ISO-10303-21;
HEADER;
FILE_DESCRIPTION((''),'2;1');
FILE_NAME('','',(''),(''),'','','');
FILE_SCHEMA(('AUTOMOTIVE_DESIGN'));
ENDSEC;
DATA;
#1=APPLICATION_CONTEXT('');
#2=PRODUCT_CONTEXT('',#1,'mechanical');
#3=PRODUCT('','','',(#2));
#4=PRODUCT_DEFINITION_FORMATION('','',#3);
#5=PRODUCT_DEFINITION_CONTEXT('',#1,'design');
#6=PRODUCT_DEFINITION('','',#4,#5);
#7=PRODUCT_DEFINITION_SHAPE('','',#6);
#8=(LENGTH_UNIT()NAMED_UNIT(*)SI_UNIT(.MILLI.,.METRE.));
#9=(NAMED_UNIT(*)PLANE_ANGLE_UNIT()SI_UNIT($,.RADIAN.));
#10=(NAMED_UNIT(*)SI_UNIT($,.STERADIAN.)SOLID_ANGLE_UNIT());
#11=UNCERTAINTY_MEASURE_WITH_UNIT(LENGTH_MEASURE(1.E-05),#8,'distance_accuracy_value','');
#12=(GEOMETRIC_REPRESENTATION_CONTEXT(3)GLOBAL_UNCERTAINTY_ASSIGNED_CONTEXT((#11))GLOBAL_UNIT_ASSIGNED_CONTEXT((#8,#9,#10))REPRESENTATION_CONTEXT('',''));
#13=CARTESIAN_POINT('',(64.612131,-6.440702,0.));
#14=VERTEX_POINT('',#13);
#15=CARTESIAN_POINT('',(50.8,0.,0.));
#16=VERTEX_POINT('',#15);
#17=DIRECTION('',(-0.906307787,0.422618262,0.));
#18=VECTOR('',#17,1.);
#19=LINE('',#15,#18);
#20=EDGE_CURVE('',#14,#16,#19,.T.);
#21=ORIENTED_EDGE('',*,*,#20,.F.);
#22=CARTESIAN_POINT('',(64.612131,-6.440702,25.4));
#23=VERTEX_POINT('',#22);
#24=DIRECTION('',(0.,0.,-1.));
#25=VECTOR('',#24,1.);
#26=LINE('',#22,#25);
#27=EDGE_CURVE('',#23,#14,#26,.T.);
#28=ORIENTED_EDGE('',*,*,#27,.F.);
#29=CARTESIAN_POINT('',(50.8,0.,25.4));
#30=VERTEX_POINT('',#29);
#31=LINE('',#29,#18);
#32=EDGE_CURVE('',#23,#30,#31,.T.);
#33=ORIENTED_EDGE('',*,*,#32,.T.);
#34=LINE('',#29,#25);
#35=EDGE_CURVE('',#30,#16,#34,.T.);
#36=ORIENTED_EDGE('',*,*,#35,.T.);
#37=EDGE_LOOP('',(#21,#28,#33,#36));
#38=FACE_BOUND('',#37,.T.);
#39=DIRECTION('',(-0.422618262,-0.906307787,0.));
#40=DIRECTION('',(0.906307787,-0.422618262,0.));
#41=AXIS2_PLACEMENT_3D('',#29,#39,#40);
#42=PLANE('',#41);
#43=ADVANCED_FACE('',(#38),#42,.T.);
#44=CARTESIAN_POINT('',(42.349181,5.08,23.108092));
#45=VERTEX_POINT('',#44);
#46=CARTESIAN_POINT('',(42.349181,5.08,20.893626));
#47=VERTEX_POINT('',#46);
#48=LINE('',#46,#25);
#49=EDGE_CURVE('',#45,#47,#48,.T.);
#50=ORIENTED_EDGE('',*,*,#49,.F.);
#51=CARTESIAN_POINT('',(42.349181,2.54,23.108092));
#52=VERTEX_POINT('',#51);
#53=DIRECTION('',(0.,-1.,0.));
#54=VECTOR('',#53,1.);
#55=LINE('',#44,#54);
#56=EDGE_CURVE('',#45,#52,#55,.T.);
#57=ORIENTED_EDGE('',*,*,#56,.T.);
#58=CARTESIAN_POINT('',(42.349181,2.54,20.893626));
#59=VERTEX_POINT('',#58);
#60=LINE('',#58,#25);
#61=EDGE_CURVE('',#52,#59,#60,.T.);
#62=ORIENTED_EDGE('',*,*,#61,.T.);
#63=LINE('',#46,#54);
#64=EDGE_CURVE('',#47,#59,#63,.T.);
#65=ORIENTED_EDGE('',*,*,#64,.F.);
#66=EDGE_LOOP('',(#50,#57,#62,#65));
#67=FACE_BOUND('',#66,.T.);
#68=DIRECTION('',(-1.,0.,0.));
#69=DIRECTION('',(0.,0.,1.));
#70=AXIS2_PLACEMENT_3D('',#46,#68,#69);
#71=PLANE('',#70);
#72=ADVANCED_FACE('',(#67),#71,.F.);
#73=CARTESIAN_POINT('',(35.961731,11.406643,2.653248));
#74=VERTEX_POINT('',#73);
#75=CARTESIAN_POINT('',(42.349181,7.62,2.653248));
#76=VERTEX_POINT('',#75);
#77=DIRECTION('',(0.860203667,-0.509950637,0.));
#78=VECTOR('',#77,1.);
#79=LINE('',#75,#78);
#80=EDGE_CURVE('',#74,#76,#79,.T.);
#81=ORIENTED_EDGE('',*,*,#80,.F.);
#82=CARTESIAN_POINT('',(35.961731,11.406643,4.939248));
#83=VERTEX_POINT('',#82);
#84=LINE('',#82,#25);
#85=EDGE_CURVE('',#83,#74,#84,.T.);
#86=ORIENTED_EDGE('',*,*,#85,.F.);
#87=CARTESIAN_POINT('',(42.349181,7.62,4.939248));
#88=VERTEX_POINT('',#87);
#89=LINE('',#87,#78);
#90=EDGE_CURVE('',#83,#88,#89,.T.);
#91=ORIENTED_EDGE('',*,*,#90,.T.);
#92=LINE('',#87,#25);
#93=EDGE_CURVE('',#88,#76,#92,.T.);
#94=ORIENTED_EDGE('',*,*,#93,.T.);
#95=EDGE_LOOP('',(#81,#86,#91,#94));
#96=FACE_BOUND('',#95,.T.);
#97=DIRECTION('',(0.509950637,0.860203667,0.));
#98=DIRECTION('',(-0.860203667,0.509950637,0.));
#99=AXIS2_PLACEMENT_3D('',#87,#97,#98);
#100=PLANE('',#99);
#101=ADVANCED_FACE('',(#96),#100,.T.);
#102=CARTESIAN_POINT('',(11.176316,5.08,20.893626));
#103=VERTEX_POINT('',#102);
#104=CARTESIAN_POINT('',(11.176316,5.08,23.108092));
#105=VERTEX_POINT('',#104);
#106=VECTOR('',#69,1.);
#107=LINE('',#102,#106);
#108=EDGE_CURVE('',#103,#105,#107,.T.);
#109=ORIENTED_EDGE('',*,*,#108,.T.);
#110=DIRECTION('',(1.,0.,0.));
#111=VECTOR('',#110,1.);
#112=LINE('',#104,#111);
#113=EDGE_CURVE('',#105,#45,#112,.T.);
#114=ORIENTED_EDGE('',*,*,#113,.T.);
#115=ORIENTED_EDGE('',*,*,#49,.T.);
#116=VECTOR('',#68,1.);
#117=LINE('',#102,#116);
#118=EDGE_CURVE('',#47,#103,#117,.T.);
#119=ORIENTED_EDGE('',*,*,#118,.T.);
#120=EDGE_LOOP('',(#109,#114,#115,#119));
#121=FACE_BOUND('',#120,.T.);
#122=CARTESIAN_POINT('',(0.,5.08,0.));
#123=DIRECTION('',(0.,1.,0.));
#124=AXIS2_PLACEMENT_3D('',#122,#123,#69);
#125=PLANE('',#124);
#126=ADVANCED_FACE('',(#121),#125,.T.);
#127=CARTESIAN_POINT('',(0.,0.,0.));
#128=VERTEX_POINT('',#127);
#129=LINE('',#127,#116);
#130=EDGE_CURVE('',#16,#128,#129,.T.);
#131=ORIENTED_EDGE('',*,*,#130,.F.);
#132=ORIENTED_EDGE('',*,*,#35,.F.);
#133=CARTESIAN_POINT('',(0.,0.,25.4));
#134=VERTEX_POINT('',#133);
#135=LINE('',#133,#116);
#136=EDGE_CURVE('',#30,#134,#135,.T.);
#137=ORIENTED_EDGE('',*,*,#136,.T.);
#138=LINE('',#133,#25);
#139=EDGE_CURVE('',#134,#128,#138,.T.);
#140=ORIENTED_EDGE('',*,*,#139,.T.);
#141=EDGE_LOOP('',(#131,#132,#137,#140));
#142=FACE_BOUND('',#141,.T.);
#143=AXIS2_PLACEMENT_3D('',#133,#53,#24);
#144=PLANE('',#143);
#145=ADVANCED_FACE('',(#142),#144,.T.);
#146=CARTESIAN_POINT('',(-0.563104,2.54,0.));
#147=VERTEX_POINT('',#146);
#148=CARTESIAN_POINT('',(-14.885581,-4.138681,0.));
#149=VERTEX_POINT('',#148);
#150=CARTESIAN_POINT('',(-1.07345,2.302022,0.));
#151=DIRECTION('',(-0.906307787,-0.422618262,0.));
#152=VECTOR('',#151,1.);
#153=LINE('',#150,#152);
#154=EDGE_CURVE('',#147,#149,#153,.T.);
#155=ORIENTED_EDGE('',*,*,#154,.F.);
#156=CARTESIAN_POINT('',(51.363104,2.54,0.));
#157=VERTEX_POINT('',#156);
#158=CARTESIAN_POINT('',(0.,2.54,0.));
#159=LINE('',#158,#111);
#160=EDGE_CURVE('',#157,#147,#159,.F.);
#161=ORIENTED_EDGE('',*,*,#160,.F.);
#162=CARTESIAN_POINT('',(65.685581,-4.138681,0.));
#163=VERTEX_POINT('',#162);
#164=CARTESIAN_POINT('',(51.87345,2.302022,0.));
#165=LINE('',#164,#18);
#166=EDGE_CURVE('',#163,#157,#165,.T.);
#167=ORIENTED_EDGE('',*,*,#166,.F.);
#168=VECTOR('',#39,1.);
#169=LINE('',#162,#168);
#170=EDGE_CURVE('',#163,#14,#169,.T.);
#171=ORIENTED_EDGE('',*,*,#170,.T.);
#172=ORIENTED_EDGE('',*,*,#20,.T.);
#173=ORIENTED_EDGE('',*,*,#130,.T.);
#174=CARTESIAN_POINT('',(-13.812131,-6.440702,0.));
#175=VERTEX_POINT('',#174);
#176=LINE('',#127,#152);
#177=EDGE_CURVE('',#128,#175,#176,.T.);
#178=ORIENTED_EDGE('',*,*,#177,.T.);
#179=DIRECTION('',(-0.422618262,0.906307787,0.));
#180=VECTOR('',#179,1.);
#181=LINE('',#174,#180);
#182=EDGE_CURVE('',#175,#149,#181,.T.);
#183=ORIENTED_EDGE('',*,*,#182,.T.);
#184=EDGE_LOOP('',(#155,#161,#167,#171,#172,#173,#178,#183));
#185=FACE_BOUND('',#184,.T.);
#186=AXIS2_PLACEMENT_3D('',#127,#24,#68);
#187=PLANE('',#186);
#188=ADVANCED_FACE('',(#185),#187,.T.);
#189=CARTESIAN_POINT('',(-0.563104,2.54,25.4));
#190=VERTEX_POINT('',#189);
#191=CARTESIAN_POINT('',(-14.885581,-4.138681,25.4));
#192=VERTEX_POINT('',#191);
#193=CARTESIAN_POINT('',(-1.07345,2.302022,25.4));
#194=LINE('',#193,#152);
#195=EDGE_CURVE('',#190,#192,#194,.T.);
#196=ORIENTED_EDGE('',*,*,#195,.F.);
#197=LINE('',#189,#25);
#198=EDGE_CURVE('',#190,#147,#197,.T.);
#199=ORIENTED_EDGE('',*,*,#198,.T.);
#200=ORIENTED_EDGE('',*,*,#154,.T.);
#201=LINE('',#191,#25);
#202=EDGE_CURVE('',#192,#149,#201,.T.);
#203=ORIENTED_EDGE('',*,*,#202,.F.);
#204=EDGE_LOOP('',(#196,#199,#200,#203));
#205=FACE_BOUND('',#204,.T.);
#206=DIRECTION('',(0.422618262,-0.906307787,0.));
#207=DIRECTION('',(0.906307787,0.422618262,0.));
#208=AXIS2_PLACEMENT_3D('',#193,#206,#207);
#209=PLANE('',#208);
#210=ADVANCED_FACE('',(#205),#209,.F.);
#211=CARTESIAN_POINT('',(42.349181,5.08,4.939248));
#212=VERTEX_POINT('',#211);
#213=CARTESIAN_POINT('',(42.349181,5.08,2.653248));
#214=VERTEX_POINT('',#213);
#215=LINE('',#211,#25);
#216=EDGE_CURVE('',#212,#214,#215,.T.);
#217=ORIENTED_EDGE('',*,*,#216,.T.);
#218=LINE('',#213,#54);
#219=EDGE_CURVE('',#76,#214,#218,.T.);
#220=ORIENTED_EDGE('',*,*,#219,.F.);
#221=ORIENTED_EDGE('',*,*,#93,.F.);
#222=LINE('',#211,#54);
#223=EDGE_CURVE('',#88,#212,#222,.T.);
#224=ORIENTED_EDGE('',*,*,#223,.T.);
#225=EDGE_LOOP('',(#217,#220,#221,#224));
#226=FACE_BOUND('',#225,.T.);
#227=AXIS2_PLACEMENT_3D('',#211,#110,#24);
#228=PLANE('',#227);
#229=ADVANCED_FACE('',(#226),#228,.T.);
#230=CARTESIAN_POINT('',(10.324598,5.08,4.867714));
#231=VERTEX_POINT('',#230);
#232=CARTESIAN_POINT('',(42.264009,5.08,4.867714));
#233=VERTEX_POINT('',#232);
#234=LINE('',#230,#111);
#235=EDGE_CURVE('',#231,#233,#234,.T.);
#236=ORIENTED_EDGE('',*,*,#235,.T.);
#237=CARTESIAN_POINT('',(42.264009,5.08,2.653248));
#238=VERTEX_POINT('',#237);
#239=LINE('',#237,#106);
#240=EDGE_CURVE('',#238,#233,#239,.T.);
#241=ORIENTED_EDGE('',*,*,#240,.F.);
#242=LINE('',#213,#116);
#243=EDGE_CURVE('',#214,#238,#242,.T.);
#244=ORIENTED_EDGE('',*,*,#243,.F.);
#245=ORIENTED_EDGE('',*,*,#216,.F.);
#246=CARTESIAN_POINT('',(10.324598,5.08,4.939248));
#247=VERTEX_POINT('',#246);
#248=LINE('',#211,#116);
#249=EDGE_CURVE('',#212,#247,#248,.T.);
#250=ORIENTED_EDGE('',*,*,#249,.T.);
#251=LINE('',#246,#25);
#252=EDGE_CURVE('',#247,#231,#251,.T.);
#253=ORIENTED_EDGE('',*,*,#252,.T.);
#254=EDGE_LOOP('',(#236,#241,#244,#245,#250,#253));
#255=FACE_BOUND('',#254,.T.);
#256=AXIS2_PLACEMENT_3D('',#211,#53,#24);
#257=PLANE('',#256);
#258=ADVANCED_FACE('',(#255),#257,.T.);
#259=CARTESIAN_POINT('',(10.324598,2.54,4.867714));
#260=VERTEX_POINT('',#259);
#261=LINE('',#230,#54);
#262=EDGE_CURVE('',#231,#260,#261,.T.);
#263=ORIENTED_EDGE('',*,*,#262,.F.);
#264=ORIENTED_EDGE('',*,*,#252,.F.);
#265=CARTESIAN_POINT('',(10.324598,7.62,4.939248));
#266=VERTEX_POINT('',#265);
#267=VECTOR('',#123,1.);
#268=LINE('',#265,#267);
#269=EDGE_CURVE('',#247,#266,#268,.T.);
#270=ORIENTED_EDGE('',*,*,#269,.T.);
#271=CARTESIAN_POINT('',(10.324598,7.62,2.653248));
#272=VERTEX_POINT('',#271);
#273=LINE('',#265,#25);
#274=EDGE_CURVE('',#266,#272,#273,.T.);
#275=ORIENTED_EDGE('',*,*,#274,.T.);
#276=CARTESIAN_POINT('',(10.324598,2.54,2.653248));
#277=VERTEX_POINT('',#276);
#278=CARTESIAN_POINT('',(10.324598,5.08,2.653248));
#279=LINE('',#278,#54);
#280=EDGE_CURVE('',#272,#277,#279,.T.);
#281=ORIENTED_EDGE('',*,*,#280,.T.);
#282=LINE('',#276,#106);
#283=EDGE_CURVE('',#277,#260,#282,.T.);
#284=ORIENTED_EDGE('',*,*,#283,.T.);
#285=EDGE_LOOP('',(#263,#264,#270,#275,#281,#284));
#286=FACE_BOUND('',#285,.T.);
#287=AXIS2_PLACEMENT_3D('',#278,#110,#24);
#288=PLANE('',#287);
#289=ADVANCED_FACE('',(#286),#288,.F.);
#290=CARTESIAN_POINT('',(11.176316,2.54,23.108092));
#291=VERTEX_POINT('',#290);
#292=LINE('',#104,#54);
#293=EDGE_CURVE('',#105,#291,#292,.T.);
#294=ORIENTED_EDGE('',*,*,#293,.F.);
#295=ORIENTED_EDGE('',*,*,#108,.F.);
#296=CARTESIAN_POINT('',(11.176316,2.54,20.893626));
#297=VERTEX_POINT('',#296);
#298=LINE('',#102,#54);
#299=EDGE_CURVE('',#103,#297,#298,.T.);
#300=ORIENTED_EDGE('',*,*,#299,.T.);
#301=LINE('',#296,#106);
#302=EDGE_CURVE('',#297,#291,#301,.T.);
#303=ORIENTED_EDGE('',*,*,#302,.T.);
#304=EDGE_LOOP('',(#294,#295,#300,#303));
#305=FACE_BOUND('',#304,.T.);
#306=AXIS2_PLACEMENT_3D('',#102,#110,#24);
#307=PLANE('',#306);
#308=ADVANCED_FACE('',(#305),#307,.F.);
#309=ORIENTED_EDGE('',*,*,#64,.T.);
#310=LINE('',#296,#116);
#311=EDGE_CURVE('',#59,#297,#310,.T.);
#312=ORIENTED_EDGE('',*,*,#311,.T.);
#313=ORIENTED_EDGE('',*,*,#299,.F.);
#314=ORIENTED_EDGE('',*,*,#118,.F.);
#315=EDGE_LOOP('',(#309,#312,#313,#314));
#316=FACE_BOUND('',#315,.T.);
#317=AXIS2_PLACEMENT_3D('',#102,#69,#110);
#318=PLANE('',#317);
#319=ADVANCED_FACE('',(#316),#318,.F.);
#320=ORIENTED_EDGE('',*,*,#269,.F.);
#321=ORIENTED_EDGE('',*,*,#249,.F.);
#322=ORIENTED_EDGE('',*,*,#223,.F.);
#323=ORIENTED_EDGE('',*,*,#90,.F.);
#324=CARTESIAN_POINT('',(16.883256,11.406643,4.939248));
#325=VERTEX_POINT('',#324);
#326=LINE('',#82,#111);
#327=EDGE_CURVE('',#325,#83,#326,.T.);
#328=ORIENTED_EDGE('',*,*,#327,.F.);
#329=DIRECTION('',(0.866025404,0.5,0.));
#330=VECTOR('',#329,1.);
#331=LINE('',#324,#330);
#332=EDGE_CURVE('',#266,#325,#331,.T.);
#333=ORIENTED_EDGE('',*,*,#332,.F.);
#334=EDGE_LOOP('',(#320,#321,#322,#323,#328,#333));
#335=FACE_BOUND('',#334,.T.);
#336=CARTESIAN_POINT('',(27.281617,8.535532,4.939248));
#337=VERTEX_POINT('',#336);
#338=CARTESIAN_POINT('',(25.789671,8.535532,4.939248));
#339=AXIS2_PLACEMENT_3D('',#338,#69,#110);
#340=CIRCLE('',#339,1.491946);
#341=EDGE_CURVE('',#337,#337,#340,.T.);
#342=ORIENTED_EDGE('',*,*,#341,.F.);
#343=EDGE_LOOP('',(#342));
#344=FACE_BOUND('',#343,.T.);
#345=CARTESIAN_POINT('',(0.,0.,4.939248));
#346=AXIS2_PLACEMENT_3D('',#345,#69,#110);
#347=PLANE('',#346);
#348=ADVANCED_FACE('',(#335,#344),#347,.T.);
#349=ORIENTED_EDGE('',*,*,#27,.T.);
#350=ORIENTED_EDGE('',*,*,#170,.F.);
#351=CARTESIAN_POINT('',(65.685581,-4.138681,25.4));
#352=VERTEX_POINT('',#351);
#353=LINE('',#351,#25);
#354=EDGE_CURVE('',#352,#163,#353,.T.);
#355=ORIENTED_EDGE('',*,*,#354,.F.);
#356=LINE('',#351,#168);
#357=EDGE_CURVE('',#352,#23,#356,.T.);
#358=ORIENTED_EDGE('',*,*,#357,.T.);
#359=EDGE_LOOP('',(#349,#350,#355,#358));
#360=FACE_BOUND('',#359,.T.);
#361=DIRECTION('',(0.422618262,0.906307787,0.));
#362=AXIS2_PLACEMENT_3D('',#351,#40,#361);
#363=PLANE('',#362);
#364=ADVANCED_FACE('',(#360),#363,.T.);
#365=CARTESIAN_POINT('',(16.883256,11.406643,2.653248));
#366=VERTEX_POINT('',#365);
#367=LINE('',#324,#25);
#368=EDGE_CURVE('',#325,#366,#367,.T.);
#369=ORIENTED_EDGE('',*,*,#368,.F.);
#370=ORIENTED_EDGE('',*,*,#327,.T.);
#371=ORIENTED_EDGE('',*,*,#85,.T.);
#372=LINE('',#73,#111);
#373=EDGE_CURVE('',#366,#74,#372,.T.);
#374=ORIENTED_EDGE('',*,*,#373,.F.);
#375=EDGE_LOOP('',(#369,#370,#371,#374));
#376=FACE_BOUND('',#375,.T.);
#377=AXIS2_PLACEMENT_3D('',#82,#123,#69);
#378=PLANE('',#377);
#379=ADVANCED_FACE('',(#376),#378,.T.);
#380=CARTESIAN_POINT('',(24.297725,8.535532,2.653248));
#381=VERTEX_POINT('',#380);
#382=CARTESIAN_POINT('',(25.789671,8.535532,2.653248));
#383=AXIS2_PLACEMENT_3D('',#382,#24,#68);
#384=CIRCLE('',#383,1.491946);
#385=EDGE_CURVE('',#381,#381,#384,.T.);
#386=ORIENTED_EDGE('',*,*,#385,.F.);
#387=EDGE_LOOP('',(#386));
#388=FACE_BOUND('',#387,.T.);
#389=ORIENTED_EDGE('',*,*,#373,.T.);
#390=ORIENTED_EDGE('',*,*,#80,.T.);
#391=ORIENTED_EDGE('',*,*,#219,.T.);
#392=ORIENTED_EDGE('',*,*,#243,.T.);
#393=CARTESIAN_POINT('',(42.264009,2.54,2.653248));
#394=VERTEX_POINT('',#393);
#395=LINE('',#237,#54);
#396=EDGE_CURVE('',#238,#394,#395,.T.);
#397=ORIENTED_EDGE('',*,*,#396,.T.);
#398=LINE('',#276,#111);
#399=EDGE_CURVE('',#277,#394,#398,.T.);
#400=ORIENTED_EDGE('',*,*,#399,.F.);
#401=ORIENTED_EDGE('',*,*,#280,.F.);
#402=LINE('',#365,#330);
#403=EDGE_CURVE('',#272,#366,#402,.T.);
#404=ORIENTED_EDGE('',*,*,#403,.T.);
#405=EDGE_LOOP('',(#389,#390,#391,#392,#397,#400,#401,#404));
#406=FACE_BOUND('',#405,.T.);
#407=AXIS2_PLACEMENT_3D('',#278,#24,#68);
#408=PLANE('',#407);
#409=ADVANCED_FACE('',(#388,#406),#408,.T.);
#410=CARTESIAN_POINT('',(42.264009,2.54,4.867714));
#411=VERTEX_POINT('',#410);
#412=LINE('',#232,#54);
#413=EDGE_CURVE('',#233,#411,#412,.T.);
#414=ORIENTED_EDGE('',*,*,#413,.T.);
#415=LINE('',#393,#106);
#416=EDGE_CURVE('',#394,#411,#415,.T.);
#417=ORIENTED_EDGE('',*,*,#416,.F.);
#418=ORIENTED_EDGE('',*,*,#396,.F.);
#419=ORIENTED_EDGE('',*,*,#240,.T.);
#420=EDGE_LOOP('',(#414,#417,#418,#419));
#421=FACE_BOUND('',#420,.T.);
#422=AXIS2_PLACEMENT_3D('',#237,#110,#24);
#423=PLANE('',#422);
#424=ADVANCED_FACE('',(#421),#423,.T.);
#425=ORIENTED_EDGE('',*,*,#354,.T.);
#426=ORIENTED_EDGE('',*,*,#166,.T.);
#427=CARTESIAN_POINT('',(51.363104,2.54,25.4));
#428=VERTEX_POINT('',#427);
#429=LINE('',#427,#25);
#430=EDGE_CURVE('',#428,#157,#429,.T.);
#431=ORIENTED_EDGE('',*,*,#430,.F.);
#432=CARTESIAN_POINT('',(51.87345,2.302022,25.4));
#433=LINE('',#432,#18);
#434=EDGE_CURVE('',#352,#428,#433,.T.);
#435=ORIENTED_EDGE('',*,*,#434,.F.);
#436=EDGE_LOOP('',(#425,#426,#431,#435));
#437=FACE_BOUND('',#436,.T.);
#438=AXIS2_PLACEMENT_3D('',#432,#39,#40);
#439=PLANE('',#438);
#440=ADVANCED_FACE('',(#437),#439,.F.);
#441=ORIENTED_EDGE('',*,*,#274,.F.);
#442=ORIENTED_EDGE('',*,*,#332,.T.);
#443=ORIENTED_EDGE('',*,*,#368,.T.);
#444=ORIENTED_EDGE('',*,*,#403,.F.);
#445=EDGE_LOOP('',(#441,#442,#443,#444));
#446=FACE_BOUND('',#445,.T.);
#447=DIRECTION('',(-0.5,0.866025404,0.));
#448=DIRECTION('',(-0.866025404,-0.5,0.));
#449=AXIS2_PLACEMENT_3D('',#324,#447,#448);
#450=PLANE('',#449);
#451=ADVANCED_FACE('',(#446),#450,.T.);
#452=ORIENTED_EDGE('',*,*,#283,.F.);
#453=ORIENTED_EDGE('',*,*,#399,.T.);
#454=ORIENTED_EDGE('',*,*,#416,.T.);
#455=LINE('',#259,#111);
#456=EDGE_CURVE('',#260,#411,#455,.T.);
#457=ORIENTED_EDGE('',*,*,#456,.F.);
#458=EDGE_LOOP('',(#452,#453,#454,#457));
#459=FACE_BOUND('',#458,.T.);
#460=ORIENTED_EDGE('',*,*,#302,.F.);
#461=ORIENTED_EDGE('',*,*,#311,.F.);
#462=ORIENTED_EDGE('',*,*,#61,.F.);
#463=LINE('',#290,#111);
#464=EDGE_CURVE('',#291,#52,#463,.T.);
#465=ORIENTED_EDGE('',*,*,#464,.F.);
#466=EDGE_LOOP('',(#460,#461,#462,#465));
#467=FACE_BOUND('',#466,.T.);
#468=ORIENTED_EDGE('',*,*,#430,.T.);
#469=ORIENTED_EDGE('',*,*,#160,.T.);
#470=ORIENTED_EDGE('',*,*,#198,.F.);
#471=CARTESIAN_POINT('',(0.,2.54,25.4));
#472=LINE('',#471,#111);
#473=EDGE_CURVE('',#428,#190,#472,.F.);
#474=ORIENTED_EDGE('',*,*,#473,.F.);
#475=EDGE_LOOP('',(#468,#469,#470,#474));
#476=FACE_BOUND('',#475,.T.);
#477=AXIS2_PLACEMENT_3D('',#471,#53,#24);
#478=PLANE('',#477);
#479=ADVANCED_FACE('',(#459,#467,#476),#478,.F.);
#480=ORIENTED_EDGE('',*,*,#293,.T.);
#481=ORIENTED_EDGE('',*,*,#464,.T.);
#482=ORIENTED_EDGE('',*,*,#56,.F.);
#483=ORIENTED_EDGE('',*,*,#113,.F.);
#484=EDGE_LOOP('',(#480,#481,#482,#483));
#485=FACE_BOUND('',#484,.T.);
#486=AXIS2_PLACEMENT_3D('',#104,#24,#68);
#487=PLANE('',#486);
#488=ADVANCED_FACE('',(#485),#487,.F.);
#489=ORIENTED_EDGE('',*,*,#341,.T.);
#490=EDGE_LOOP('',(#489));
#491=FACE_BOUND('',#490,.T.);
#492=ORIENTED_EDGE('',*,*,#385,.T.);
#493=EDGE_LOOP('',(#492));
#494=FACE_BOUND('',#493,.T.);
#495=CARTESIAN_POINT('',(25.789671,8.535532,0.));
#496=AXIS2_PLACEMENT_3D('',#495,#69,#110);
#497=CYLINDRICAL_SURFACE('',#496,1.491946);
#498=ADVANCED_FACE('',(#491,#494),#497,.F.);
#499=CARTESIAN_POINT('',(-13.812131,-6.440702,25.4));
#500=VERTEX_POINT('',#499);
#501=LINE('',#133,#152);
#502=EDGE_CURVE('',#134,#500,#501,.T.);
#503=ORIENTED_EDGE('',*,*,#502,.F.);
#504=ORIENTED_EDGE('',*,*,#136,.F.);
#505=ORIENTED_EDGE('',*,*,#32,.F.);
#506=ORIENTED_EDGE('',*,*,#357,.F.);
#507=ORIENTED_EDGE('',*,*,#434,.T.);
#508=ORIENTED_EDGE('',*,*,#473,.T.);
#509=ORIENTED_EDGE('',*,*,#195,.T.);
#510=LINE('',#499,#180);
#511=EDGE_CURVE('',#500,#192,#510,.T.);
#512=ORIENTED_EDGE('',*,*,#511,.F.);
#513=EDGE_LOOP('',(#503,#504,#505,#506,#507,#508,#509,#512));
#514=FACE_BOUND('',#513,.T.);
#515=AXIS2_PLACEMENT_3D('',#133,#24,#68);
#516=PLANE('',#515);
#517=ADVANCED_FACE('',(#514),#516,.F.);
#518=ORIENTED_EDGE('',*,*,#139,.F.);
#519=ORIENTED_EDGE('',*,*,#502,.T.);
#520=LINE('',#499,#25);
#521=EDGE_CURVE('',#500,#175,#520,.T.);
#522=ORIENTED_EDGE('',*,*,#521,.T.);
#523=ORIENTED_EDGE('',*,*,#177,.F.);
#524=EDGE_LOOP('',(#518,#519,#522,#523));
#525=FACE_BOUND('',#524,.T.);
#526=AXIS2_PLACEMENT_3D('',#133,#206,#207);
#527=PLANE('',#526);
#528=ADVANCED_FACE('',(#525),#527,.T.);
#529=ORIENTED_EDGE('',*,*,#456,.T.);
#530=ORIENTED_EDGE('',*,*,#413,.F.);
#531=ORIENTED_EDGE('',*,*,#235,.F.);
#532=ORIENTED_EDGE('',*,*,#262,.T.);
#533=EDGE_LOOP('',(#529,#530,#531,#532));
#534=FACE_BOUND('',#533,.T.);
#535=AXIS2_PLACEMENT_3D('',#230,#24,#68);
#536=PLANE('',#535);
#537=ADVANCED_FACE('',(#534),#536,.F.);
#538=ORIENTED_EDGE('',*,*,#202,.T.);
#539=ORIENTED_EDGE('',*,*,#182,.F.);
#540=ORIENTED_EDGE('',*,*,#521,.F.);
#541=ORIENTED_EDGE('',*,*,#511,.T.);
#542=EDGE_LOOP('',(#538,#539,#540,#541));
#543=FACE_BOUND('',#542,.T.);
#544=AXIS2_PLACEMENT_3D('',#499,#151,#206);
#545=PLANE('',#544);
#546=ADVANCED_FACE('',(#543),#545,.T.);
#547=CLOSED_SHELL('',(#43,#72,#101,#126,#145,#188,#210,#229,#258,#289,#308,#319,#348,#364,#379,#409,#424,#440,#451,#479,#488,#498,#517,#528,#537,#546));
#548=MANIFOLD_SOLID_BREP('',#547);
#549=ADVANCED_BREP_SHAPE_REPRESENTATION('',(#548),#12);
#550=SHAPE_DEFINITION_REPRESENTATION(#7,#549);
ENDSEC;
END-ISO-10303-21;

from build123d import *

# Parameters (mm, degrees)
EXTRUDE_THIN1_DEPTH = 25.4
SKETCH3_W           = 31.939411296
SKETCH3_H           = 2.21446585
BOSS_EXTRUDE1_DEPTH = 2.54
SKETCH4_W           = 31.172865425
SKETCH4_H           = 2.21446585
BOSS_EXTRUDE2_DEPTH = 2.54
BOSS_EXTRUDE3_DEPTH = 2.286
SKETCH10_R          = 1.491946279
CUT_EXTRUDE1_DEPTH  = 70.737718879


with BuildPart() as part:
    # Sketch2 → Extrude-Thin1 (new body)
    with BuildSketch(Plane.XY):
        Polygon((-13.812130674, -6.440702309), (0, 0), (50.8, 0), (64.612130674, -6.440702309), (65.685581059, -4.13868053), (51.363104443, 2.54), (-0.563104443, 2.54), (-14.885581059, -4.13868053), align=None)
    extrude(amount=EXTRUDE_THIN1_DEPTH)

    # Sketch3 → Boss-Extrude1 (add)
    with BuildSketch(Plane(origin=(0, 2.54, 0), x_dir=(1, 0, 0), z_dir=(0, 1, 0))):
        with Locations((26.294303516, -3.760480959)):
            Rectangle(SKETCH3_W, SKETCH3_H)
    extrude(amount=BOSS_EXTRUDE1_DEPTH)

    # Sketch4 → Boss-Extrude2 (add)
    with BuildSketch(Plane(origin=(0, 2.54, 0), x_dir=(1, 0, 0), z_dir=(0, 1, 0))):
        with Locations((26.762748216, -22.000859373)):
            Rectangle(SKETCH4_W, SKETCH4_H)
    extrude(amount=BOSS_EXTRUDE2_DEPTH)

    # Sketch6 → Boss-Extrude3 (add)
    with BuildSketch(Plane(origin=(0, 0, 2.653248034), x_dir=(-1, 0, 0), z_dir=(0, 0, -1))):
        Polygon((-42.349180928, 5.08), (-42.349180928, 7.62), (-35.961730939, 11.406642995), (-16.883255925, 11.406642995), (-10.324597868, 7.62), (-10.324597868, 5.08), align=None)
    extrude(amount=-BOSS_EXTRUDE3_DEPTH)

    # Sketch10 → Cut-Extrude1 (cut, through all)
    with BuildSketch(Plane.XY.offset(4.939248034)):
        with Locations((25.789671125, 8.535532201)):
            Circle(SKETCH10_R)
    extrude(amount=-CUT_EXTRUDE1_DEPTH, mode=Mode.SUBTRACT)


solid = part.part
